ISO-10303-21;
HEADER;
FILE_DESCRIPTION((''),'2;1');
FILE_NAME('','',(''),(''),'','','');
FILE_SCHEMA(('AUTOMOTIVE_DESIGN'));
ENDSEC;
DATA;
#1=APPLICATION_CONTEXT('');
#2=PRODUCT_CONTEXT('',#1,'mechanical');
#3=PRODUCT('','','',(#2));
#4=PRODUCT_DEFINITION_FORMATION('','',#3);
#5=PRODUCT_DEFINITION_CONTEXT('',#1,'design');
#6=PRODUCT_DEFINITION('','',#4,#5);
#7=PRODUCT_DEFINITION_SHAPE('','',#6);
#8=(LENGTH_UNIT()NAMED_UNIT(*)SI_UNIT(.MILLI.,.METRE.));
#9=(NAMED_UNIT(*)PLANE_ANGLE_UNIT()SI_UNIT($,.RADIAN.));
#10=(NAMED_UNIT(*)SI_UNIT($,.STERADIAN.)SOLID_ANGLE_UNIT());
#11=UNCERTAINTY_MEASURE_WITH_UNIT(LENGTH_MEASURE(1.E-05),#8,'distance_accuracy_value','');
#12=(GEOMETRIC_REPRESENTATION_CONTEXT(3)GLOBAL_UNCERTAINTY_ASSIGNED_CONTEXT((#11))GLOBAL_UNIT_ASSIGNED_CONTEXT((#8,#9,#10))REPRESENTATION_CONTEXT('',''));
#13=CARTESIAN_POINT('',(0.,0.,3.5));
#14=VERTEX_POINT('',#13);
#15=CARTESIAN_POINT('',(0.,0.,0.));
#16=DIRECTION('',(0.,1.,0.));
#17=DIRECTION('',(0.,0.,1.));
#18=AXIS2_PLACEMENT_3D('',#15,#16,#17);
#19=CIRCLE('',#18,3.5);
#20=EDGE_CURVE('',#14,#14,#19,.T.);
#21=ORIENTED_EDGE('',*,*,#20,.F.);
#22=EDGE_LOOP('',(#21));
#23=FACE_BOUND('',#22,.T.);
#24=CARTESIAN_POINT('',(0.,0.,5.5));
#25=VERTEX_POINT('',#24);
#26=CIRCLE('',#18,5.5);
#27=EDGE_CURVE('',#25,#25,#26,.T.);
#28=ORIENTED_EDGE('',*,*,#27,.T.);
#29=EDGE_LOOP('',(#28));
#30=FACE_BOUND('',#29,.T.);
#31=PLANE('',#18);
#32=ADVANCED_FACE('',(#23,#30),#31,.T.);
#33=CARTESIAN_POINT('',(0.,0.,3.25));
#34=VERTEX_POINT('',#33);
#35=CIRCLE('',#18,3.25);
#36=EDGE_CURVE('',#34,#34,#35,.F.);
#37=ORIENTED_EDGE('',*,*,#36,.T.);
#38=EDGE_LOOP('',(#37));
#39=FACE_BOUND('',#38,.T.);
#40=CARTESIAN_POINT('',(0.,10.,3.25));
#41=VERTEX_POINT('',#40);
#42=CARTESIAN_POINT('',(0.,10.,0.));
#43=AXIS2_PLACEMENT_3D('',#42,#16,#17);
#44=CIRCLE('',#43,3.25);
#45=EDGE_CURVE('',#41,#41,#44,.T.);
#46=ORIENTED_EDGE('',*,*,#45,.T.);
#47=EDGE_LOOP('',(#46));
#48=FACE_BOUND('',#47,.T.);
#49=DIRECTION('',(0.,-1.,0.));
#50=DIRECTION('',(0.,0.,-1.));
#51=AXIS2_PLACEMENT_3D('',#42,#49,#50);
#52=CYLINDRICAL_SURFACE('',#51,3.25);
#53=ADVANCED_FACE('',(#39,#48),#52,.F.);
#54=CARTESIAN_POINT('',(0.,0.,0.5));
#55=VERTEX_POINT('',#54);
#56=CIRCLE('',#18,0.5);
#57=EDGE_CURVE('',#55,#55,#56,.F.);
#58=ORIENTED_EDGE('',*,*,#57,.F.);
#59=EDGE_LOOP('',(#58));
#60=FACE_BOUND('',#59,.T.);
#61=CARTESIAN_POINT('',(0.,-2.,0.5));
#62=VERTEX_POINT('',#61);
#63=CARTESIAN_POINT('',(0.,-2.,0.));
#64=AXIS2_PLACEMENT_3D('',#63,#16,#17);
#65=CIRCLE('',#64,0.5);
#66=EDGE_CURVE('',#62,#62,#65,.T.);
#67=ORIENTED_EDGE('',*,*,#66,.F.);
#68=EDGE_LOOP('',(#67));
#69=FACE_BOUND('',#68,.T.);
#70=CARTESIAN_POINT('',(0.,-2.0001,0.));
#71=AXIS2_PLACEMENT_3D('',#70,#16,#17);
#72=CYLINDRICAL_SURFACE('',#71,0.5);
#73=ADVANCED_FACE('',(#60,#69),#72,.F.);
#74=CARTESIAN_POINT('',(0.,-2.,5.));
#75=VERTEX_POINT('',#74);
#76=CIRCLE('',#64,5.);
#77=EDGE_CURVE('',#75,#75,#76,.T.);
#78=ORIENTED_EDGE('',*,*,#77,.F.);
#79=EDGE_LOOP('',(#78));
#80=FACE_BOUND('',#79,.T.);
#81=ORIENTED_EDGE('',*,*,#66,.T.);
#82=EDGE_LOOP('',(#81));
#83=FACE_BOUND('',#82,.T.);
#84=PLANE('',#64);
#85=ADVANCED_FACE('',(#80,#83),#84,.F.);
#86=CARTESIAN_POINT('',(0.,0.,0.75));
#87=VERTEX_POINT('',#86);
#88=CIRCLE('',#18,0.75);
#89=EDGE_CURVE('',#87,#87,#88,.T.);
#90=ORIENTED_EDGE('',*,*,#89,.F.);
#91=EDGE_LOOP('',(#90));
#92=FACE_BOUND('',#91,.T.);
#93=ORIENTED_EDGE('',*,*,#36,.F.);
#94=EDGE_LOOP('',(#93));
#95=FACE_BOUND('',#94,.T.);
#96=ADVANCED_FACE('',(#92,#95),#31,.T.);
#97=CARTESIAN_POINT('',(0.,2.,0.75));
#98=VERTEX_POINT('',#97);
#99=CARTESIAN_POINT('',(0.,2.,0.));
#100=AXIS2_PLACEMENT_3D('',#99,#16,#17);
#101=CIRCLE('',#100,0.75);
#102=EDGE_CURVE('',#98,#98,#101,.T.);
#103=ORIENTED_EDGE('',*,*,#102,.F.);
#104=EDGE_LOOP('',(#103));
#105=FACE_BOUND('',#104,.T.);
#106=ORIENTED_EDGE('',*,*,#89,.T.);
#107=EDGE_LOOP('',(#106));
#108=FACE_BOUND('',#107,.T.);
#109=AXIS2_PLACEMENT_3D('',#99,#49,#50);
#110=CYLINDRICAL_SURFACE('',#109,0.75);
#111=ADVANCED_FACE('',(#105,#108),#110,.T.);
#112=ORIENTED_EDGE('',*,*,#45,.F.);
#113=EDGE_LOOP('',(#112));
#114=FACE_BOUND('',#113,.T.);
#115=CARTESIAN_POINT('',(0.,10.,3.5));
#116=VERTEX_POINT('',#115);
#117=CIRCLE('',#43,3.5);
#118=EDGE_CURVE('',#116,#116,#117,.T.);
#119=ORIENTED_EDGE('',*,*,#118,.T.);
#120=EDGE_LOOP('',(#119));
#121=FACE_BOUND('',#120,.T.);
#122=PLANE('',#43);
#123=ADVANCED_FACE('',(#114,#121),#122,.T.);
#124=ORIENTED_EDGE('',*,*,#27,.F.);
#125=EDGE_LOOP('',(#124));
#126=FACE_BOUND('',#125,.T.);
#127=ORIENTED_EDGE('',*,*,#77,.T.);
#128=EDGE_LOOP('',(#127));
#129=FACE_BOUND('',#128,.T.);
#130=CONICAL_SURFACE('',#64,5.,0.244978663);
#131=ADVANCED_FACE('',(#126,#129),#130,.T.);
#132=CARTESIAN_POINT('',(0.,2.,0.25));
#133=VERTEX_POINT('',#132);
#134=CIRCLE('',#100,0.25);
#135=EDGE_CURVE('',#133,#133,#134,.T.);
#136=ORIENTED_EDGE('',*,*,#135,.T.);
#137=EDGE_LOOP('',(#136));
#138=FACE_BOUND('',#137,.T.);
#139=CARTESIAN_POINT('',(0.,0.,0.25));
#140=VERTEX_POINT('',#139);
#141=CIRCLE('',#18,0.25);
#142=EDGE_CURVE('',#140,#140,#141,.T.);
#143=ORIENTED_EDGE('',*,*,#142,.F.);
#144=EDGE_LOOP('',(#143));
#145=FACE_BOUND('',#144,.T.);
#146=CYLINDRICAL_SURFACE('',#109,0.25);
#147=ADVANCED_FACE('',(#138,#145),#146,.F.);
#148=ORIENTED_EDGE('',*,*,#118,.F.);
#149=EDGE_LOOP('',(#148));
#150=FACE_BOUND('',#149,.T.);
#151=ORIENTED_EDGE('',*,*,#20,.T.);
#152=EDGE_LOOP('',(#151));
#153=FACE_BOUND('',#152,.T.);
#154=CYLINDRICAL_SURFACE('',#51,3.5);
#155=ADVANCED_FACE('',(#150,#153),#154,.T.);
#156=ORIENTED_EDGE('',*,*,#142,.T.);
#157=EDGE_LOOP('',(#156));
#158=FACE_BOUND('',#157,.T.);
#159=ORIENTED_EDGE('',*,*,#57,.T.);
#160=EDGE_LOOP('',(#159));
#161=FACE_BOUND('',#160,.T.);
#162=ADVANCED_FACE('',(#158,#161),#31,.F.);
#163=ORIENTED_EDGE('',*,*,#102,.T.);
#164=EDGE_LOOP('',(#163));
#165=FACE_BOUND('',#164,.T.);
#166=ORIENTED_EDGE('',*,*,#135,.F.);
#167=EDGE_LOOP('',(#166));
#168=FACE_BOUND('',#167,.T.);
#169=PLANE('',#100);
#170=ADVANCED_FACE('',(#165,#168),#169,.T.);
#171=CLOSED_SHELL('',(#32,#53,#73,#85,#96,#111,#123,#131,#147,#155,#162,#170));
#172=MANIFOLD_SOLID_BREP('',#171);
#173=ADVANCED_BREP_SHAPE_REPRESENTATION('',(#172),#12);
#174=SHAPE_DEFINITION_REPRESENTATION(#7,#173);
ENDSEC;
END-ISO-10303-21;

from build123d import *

# Parameters (mm, degrees)
SKETCH2_R           = 5
SKETCH1_R           = 5.5
SKETCH3_R           = 0.5
CUT_EXTRUDE1_DEPTH  = 9.031189364
SKETCH4_R           = 3.5
SKETCH4_R_2         = 3.25
BOSS_EXTRUDE1_DEPTH = 10
SKETCH5_R           = 0.75
SKETCH5_R_2         = 0.25
BOSS_EXTRUDE2_DEPTH = 2


with BuildPart() as part:
    # Sketch2 → Loft1 section 0
    with BuildSketch(Plane(origin=(0, -2, 0), x_dir=(1, 0, 0), z_dir=(0, 1, 0))):
        Circle(SKETCH2_R)
    # Sketch1 → Loft1 section 1
    with BuildSketch(Plane(origin=(0, 0, 0), x_dir=(1, 0, 0), z_dir=(0, 1, 0))):
        Circle(SKETCH1_R)
    loft()

    # Sketch3 → Cut-Extrude1 (cut, through all)
    with BuildSketch(Plane(origin=(0, 0, 0), x_dir=(1, 0, 0), z_dir=(0, 1, 0))):
        with Locations(Location((0, 0, 0), (0, 0, 270))):
            Circle(SKETCH3_R)
    extrude(amount=-CUT_EXTRUDE1_DEPTH, mode=Mode.SUBTRACT)

    # Sketch4 → Boss-Extrude1 (add)
    with BuildSketch(Plane(origin=(0, 0, 0), x_dir=(1, 0, 0), z_dir=(0, 1, 0))):
        with Locations(Location((0, 0, 0), (0, 0, 270))):
            Circle(SKETCH4_R)
        with Locations(Location((0, 0, 0), (0, 0, 270))):
            Circle(SKETCH4_R_2, mode=Mode.SUBTRACT)
    extrude(amount=BOSS_EXTRUDE1_DEPTH)

    # Sketch5 → Boss-Extrude2 (add)
    with BuildSketch(Plane(origin=(0, 0, 0), x_dir=(1, 0, 0), z_dir=(0, 1, 0))):
        with Locations(Location((0, 0, 0), (0, 0, 270))):
            Circle(SKETCH5_R)
        with Locations(Location((0, 0, 0), (0, 0, 270))):
            Circle(SKETCH5_R_2, mode=Mode.SUBTRACT)
    extrude(amount=BOSS_EXTRUDE2_DEPTH)


solid = part.part
